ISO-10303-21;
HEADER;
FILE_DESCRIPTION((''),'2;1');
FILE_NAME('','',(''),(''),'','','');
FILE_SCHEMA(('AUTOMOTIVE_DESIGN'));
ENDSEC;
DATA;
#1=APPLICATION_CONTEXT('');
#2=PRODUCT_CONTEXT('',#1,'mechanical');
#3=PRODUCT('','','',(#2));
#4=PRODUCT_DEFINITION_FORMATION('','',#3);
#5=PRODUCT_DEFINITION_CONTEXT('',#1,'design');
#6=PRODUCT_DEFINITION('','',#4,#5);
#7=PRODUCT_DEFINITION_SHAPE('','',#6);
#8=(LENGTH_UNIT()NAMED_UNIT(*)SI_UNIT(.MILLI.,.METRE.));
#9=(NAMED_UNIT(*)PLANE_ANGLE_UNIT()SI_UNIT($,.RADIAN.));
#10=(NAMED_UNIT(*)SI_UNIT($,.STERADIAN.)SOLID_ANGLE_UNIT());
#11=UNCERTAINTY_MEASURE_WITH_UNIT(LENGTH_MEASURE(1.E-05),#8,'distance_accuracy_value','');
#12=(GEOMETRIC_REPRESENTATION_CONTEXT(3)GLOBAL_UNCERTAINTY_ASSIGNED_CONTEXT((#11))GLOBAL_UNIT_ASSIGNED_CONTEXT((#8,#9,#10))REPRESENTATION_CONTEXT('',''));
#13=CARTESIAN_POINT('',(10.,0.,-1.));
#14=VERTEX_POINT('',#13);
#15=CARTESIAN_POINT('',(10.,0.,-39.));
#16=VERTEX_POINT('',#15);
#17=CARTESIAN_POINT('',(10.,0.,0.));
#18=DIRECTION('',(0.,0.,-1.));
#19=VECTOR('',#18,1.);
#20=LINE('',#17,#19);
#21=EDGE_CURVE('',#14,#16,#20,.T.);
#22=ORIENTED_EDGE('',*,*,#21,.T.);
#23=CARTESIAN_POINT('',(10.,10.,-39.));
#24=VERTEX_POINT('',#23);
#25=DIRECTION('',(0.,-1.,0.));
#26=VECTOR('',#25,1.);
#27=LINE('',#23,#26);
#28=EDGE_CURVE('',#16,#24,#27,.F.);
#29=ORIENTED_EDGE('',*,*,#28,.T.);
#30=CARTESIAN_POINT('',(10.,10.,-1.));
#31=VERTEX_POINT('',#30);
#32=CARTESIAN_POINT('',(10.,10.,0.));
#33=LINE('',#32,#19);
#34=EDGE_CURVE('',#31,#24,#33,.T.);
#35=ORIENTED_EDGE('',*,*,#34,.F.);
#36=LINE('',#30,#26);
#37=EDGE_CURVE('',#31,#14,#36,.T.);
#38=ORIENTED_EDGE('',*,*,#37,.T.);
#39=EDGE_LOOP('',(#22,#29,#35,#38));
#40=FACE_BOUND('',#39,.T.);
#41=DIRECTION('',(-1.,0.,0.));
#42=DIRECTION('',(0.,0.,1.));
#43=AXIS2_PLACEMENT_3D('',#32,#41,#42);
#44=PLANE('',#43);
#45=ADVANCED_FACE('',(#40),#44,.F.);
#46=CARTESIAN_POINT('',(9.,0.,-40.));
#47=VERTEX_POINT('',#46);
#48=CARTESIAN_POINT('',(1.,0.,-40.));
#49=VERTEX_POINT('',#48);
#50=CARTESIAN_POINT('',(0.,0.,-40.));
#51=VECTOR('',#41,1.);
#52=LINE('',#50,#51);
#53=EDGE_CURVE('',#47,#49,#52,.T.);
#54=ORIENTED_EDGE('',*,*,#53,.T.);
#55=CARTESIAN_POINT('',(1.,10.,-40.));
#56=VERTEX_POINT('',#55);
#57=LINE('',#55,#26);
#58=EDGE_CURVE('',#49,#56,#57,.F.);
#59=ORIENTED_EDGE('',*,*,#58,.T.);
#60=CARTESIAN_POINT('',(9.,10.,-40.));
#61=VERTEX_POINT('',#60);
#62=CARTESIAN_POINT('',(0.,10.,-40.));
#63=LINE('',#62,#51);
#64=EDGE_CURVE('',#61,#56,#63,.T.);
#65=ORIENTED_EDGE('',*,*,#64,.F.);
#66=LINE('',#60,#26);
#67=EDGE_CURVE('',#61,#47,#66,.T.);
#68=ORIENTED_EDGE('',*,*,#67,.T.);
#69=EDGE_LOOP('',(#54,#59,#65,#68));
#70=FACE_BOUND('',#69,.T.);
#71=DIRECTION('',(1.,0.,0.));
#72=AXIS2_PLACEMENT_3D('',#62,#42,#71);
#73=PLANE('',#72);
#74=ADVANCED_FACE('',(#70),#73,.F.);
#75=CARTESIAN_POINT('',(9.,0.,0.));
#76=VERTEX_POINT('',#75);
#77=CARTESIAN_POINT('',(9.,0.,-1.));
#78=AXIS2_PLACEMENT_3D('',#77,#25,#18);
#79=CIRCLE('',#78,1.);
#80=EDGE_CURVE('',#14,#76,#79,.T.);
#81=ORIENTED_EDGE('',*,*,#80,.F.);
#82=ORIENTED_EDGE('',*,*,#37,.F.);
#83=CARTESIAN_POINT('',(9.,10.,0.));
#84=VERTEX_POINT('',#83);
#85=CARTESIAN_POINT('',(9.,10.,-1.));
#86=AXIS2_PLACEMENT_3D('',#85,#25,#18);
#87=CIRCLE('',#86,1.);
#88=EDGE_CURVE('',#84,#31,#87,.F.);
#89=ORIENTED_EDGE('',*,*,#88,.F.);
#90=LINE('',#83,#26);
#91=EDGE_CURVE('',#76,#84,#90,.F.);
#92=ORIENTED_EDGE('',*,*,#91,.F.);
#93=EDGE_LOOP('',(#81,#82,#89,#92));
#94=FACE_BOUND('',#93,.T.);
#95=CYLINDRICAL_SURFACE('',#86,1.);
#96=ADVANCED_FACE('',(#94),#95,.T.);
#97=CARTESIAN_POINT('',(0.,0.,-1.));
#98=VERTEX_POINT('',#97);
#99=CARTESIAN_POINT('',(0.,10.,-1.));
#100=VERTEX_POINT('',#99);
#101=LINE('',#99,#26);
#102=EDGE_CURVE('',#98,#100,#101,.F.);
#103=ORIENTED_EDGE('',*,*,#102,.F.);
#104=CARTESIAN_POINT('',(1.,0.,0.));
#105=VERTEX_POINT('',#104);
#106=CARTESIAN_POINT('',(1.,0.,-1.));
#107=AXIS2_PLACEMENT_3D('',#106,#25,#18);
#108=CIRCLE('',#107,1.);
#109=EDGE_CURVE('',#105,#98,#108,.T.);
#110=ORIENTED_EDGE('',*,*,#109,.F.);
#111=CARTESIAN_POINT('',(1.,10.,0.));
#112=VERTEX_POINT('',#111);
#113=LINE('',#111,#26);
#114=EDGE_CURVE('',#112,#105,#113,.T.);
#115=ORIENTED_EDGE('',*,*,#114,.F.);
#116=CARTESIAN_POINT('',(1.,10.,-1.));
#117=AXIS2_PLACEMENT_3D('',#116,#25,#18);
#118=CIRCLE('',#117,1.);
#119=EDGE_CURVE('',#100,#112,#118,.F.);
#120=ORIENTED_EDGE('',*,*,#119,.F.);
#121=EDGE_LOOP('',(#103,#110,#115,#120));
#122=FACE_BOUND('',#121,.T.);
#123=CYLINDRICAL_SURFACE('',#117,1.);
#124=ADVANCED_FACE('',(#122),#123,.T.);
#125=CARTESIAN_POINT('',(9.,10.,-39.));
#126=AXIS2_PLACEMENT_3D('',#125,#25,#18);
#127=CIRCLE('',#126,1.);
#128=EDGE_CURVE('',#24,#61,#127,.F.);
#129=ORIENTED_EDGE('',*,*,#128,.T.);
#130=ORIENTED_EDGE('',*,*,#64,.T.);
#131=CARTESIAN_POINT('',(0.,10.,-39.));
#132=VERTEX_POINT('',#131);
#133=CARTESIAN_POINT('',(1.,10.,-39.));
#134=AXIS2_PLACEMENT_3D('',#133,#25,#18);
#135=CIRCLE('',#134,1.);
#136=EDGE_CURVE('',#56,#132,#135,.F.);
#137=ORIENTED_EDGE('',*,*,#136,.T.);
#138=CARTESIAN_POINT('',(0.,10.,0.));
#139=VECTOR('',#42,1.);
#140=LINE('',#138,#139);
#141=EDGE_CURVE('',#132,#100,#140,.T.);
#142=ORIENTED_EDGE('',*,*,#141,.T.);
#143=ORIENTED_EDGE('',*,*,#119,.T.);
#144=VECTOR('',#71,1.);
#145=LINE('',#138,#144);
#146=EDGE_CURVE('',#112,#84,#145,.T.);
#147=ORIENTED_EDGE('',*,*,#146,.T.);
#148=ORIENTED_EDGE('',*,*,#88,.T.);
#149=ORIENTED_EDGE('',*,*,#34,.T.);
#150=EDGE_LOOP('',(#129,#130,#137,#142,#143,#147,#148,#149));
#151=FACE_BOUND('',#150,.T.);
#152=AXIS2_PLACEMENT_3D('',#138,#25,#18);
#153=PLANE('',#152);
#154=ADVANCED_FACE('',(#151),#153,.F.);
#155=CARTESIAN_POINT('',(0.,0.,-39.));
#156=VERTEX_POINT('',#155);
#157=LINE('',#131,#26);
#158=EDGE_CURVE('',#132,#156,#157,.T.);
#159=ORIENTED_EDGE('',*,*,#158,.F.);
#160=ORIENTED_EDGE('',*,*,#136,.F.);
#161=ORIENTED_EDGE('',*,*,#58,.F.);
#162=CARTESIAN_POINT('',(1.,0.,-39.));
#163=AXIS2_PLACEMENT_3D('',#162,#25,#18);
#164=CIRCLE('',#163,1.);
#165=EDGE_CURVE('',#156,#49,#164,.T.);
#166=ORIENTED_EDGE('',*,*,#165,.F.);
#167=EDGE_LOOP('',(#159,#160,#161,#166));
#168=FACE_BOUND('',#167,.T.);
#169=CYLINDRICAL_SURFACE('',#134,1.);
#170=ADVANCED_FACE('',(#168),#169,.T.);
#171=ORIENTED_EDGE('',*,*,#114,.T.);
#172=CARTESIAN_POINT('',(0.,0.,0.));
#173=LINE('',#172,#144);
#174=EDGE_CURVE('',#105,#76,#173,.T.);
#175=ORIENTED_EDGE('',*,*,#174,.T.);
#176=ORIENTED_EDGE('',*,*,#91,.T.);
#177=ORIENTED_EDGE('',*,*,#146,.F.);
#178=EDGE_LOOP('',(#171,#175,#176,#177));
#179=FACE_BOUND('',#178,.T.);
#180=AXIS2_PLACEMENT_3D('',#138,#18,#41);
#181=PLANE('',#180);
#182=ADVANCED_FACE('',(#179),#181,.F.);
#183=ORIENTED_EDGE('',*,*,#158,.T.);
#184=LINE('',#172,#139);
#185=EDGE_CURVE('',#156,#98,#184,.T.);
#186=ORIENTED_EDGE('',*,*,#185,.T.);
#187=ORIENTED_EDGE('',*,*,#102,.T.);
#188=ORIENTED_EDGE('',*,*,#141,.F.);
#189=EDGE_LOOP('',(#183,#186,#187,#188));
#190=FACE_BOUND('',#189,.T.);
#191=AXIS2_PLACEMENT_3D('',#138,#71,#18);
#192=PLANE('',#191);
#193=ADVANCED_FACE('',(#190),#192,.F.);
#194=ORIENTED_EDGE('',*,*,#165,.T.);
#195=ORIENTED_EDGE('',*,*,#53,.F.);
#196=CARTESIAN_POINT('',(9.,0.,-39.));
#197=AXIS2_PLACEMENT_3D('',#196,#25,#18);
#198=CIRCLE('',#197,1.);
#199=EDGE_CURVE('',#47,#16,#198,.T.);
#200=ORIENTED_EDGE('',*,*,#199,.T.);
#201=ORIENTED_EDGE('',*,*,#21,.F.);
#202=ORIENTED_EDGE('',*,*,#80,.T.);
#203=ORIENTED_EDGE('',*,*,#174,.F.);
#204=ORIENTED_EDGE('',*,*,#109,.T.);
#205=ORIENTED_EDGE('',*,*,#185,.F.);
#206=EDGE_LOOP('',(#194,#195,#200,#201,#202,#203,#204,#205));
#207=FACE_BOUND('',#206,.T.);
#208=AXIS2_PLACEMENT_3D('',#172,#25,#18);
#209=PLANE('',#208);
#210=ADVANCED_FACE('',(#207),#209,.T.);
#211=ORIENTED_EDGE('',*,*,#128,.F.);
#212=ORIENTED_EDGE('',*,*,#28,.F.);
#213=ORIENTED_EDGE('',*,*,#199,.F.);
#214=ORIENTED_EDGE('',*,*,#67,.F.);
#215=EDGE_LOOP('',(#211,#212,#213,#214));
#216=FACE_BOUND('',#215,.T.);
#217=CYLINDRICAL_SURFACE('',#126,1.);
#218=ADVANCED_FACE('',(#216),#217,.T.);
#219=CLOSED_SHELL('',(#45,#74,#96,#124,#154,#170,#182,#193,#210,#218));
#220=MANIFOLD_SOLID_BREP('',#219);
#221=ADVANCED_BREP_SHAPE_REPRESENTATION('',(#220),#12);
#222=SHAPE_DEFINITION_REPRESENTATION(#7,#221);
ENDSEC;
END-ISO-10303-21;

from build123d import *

# Parameters (mm, degrees)
SKETCH1_W           = 10
SKETCH1_H           = 40
BOSS_EXTRUDE1_DEPTH = 10
FILLET1_R           = 1


with BuildPart() as part:
    # Sketch1 → Boss-Extrude1 (new body)
    with BuildSketch(Plane(origin=(0, 0, 0), x_dir=(1, 0, 0), z_dir=(0, 1, 0))):
        with Locations((5, 20)):
            Rectangle(SKETCH1_W, SKETCH1_H)
    extrude(amount=BOSS_EXTRUDE1_DEPTH)

    # Fillet1
    fillet1_edges = [part.edges().sort_by_distance(p)[0] for p in [
        (0, 5, -40),
        (10, 5, -40),
        (10, 5, 0),
        (0, 5, 0),
    ]]
    fillet(fillet1_edges, radius=FILLET1_R)


solid = part.part
